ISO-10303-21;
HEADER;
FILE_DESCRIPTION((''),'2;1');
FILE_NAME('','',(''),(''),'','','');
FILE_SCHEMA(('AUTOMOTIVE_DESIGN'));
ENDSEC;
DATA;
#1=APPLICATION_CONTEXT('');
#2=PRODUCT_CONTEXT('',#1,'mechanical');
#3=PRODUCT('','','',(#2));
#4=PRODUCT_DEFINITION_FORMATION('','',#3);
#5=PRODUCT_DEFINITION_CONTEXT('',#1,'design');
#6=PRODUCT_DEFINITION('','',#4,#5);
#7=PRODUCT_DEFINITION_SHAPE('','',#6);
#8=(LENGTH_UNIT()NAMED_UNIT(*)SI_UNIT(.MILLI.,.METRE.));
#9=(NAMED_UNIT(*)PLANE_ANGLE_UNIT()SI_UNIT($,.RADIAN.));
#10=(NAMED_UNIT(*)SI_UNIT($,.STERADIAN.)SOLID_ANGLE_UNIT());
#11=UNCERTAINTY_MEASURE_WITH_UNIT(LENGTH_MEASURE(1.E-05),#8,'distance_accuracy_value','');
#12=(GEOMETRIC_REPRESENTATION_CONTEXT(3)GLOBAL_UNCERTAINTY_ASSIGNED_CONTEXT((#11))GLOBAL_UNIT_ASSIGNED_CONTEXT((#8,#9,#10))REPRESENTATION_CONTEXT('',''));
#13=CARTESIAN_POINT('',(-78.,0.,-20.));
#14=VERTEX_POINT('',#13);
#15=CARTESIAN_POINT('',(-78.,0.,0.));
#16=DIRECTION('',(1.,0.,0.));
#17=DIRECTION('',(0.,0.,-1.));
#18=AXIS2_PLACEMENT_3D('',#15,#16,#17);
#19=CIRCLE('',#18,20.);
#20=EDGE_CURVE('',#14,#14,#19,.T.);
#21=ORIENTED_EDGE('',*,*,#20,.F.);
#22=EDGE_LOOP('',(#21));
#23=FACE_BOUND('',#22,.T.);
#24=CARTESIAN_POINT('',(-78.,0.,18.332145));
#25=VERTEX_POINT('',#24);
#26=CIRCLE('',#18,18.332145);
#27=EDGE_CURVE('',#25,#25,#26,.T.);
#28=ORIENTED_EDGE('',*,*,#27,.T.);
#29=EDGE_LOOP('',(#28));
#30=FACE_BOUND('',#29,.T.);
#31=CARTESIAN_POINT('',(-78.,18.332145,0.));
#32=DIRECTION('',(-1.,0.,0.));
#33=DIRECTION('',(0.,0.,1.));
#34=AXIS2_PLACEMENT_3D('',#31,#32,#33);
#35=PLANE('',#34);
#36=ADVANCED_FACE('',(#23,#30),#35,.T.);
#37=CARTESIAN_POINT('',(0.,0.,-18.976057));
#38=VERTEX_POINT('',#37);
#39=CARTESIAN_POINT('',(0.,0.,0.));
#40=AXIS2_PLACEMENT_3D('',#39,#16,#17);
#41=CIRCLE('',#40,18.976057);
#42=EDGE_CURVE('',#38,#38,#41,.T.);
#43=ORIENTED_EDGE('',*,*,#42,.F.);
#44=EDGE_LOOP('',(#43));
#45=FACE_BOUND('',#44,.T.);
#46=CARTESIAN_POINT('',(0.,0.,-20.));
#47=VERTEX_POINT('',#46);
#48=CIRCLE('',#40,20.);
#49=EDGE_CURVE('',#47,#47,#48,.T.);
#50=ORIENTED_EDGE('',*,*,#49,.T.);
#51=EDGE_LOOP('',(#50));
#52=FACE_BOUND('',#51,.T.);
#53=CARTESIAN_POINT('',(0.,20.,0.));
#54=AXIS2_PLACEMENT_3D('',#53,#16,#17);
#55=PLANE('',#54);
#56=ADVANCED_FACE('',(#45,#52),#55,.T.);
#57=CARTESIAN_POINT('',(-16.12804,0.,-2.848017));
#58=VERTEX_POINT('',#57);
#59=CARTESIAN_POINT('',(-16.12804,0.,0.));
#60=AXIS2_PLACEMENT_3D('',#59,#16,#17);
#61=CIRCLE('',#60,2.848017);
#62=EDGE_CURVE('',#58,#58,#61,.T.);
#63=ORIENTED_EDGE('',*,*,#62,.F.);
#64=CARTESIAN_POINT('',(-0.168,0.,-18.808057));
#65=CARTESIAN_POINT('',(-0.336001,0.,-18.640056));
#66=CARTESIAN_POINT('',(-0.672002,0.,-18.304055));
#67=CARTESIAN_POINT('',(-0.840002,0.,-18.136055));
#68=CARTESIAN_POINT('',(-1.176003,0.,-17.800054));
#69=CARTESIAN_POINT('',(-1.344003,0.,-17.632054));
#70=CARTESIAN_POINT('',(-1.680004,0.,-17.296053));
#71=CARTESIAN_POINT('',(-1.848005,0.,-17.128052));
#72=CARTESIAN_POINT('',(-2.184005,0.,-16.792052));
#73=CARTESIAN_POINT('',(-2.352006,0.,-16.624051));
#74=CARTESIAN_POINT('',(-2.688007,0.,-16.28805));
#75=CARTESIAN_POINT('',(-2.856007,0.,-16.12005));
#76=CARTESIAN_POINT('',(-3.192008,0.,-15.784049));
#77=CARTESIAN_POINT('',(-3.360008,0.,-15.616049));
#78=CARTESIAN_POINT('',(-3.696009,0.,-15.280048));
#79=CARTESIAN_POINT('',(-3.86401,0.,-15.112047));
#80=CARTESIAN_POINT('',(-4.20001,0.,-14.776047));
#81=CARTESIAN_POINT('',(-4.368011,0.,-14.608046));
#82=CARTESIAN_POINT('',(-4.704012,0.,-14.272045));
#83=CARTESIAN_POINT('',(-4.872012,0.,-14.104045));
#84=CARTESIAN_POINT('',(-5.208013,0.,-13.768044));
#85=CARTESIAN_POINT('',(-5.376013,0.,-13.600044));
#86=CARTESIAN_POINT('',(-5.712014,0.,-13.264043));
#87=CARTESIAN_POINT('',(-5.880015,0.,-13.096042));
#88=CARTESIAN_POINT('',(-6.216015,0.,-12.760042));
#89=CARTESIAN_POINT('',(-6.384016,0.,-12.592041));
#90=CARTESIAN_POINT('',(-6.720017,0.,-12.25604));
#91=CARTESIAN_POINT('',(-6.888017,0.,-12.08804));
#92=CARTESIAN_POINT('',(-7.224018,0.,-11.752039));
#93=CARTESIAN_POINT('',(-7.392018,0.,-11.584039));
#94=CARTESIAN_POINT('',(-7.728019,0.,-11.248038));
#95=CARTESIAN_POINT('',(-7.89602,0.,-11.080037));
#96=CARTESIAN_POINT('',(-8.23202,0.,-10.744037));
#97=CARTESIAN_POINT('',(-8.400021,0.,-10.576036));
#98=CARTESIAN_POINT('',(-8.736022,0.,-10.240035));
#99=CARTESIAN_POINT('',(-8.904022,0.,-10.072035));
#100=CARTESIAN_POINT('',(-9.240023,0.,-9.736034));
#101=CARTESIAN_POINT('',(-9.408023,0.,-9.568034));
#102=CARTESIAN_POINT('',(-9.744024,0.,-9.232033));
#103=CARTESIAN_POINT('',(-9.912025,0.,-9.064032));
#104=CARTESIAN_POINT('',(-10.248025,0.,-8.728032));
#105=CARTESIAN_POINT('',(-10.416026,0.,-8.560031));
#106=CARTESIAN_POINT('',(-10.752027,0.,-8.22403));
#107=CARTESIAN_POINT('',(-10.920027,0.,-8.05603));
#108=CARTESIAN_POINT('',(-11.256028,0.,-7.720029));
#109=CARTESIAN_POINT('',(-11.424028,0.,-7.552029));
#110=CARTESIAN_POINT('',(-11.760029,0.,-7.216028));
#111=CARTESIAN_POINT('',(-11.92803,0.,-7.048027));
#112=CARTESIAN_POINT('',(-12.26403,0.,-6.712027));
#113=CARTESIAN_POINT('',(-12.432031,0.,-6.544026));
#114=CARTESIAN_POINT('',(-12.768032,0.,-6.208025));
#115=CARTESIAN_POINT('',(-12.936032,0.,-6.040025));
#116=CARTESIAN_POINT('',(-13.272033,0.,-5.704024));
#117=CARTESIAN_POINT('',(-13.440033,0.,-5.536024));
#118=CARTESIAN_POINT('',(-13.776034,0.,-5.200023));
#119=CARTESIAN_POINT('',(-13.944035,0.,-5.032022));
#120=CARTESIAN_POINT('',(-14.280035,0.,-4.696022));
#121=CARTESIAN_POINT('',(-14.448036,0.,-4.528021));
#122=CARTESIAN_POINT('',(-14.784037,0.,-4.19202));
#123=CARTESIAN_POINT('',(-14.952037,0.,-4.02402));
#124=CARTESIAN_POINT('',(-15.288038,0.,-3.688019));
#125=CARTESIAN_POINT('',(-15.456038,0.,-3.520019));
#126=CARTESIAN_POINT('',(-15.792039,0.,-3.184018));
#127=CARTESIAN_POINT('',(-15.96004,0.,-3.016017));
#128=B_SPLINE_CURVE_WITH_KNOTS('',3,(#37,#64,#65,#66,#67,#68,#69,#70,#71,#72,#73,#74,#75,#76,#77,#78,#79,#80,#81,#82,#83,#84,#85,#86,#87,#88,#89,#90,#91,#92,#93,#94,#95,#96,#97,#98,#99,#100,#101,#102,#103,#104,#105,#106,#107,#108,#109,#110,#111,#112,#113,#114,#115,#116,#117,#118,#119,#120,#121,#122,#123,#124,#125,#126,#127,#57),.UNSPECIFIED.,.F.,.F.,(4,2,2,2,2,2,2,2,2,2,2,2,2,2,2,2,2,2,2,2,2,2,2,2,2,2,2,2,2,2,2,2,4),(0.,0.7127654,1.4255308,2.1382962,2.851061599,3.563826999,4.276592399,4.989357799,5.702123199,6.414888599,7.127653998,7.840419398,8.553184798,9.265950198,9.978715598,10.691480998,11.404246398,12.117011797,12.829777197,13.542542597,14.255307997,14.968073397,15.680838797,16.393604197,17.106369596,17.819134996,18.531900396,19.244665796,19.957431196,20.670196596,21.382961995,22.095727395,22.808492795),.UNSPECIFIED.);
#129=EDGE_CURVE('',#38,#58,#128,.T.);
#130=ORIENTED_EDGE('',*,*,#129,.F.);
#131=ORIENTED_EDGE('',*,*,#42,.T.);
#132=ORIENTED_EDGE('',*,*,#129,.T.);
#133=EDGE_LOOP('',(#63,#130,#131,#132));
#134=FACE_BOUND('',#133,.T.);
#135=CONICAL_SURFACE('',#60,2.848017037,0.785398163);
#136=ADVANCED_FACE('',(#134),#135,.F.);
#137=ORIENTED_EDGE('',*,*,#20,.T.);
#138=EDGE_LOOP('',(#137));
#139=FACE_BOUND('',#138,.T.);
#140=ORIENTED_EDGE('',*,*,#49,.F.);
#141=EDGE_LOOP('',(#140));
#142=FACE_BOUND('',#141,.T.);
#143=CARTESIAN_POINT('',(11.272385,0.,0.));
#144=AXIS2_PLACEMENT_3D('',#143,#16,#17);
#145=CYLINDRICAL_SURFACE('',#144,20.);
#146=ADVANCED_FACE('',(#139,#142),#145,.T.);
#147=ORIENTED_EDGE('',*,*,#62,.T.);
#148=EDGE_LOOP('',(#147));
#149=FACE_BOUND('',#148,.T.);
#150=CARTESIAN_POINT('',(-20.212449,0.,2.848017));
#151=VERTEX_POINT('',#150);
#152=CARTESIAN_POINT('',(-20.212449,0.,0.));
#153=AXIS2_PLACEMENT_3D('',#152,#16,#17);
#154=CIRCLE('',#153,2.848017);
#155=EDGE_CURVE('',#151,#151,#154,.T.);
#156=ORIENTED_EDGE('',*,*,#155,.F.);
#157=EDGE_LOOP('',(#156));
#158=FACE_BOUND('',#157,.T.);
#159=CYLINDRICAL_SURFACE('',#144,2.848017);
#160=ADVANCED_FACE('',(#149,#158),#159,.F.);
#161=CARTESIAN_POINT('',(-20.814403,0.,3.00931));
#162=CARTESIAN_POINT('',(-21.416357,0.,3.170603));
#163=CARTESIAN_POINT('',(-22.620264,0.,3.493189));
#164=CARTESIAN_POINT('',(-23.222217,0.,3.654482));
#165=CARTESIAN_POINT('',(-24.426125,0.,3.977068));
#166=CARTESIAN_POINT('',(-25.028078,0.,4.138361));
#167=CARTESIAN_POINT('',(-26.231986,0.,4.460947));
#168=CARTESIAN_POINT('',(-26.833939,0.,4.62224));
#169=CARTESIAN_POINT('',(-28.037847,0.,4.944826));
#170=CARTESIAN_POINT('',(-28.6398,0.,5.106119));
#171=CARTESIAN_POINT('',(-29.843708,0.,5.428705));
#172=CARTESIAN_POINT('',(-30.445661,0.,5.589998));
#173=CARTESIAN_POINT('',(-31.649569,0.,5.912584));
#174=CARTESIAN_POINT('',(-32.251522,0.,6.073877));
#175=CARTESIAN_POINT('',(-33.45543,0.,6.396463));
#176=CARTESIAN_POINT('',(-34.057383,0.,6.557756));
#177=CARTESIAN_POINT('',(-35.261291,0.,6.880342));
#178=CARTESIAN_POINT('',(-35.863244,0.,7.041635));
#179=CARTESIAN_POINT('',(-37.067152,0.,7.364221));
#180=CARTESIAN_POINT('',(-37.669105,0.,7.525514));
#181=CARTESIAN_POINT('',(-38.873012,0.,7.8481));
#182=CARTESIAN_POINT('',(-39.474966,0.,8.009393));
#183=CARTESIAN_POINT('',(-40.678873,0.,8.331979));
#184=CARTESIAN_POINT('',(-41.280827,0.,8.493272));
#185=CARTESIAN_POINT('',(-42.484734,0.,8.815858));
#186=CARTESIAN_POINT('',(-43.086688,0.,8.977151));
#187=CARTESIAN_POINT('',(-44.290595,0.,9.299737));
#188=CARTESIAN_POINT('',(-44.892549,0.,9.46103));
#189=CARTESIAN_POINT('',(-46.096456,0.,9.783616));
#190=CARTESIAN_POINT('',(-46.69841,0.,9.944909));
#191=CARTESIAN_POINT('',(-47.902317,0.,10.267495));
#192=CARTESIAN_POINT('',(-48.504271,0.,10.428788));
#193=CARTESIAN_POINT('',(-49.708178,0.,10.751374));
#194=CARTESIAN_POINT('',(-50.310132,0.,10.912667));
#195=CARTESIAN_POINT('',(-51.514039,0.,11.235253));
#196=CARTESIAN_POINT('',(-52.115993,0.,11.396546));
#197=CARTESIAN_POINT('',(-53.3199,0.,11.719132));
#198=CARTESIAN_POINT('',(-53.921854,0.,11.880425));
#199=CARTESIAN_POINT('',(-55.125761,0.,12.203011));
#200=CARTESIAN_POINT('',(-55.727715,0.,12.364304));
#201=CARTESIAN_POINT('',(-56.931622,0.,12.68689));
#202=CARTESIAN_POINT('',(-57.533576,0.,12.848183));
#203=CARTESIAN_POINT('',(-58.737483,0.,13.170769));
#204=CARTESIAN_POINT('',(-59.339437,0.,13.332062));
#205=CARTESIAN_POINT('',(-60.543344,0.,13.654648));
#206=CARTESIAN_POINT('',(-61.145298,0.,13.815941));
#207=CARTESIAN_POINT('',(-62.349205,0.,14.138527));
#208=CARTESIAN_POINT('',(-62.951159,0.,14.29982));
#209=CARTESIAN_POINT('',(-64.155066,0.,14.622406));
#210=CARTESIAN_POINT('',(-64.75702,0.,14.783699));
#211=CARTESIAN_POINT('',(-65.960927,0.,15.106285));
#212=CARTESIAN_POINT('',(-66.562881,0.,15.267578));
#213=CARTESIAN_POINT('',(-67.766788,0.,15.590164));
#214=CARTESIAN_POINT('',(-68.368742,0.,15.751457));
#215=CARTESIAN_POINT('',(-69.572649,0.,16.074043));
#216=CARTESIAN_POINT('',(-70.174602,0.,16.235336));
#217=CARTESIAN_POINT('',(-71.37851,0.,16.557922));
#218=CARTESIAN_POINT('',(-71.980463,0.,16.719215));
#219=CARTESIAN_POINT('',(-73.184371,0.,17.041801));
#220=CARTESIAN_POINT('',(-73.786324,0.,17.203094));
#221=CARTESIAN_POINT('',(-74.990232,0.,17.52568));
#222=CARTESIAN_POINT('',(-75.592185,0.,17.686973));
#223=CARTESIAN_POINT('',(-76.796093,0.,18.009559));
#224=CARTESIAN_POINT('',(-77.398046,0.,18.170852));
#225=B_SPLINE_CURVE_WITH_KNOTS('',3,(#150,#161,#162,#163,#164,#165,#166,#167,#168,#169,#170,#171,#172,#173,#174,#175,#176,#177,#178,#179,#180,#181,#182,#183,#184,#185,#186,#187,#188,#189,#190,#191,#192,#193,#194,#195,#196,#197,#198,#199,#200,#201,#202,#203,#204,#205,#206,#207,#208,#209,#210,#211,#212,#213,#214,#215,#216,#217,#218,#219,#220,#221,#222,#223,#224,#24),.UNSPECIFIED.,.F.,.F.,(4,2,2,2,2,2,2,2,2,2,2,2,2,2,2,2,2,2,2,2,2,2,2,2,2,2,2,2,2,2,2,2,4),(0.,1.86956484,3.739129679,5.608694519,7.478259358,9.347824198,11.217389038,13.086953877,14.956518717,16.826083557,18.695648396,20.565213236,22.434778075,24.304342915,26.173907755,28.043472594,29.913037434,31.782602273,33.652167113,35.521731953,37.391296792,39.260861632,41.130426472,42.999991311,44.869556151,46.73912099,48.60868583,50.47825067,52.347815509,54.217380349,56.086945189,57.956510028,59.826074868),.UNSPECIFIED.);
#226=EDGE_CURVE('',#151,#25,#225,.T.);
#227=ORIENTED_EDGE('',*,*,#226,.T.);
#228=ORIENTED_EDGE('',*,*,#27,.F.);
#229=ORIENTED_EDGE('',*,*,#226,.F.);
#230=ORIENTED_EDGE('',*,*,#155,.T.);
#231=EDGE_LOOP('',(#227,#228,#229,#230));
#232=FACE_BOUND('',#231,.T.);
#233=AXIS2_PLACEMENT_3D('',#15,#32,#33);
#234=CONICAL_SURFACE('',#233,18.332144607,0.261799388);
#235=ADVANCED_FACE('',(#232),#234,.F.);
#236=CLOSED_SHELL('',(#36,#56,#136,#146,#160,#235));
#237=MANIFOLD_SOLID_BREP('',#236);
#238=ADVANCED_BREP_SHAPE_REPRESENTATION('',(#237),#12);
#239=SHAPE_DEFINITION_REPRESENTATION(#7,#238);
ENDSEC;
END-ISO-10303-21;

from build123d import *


with BuildPart() as part:
    # Sketch1 → Revolve1 (revolve)
    with BuildSketch(Plane.XY, mode=Mode.PRIVATE) as revolve1_sk:
        Polygon((-78, 20), (0, 20), (0, 18.976056961), (-16.128039924, 2.848017037), (-20.2124492, 2.848017037), (-78, 18.332144607), align=None)
    revolve(revolve1_sk.sketch.rotate(Axis((11.272384543, 0, 0), (-1, 0, 0)), 90), axis=Axis((11.272384543, 0, 0), (-1, 0, 0)))


solid = part.part
